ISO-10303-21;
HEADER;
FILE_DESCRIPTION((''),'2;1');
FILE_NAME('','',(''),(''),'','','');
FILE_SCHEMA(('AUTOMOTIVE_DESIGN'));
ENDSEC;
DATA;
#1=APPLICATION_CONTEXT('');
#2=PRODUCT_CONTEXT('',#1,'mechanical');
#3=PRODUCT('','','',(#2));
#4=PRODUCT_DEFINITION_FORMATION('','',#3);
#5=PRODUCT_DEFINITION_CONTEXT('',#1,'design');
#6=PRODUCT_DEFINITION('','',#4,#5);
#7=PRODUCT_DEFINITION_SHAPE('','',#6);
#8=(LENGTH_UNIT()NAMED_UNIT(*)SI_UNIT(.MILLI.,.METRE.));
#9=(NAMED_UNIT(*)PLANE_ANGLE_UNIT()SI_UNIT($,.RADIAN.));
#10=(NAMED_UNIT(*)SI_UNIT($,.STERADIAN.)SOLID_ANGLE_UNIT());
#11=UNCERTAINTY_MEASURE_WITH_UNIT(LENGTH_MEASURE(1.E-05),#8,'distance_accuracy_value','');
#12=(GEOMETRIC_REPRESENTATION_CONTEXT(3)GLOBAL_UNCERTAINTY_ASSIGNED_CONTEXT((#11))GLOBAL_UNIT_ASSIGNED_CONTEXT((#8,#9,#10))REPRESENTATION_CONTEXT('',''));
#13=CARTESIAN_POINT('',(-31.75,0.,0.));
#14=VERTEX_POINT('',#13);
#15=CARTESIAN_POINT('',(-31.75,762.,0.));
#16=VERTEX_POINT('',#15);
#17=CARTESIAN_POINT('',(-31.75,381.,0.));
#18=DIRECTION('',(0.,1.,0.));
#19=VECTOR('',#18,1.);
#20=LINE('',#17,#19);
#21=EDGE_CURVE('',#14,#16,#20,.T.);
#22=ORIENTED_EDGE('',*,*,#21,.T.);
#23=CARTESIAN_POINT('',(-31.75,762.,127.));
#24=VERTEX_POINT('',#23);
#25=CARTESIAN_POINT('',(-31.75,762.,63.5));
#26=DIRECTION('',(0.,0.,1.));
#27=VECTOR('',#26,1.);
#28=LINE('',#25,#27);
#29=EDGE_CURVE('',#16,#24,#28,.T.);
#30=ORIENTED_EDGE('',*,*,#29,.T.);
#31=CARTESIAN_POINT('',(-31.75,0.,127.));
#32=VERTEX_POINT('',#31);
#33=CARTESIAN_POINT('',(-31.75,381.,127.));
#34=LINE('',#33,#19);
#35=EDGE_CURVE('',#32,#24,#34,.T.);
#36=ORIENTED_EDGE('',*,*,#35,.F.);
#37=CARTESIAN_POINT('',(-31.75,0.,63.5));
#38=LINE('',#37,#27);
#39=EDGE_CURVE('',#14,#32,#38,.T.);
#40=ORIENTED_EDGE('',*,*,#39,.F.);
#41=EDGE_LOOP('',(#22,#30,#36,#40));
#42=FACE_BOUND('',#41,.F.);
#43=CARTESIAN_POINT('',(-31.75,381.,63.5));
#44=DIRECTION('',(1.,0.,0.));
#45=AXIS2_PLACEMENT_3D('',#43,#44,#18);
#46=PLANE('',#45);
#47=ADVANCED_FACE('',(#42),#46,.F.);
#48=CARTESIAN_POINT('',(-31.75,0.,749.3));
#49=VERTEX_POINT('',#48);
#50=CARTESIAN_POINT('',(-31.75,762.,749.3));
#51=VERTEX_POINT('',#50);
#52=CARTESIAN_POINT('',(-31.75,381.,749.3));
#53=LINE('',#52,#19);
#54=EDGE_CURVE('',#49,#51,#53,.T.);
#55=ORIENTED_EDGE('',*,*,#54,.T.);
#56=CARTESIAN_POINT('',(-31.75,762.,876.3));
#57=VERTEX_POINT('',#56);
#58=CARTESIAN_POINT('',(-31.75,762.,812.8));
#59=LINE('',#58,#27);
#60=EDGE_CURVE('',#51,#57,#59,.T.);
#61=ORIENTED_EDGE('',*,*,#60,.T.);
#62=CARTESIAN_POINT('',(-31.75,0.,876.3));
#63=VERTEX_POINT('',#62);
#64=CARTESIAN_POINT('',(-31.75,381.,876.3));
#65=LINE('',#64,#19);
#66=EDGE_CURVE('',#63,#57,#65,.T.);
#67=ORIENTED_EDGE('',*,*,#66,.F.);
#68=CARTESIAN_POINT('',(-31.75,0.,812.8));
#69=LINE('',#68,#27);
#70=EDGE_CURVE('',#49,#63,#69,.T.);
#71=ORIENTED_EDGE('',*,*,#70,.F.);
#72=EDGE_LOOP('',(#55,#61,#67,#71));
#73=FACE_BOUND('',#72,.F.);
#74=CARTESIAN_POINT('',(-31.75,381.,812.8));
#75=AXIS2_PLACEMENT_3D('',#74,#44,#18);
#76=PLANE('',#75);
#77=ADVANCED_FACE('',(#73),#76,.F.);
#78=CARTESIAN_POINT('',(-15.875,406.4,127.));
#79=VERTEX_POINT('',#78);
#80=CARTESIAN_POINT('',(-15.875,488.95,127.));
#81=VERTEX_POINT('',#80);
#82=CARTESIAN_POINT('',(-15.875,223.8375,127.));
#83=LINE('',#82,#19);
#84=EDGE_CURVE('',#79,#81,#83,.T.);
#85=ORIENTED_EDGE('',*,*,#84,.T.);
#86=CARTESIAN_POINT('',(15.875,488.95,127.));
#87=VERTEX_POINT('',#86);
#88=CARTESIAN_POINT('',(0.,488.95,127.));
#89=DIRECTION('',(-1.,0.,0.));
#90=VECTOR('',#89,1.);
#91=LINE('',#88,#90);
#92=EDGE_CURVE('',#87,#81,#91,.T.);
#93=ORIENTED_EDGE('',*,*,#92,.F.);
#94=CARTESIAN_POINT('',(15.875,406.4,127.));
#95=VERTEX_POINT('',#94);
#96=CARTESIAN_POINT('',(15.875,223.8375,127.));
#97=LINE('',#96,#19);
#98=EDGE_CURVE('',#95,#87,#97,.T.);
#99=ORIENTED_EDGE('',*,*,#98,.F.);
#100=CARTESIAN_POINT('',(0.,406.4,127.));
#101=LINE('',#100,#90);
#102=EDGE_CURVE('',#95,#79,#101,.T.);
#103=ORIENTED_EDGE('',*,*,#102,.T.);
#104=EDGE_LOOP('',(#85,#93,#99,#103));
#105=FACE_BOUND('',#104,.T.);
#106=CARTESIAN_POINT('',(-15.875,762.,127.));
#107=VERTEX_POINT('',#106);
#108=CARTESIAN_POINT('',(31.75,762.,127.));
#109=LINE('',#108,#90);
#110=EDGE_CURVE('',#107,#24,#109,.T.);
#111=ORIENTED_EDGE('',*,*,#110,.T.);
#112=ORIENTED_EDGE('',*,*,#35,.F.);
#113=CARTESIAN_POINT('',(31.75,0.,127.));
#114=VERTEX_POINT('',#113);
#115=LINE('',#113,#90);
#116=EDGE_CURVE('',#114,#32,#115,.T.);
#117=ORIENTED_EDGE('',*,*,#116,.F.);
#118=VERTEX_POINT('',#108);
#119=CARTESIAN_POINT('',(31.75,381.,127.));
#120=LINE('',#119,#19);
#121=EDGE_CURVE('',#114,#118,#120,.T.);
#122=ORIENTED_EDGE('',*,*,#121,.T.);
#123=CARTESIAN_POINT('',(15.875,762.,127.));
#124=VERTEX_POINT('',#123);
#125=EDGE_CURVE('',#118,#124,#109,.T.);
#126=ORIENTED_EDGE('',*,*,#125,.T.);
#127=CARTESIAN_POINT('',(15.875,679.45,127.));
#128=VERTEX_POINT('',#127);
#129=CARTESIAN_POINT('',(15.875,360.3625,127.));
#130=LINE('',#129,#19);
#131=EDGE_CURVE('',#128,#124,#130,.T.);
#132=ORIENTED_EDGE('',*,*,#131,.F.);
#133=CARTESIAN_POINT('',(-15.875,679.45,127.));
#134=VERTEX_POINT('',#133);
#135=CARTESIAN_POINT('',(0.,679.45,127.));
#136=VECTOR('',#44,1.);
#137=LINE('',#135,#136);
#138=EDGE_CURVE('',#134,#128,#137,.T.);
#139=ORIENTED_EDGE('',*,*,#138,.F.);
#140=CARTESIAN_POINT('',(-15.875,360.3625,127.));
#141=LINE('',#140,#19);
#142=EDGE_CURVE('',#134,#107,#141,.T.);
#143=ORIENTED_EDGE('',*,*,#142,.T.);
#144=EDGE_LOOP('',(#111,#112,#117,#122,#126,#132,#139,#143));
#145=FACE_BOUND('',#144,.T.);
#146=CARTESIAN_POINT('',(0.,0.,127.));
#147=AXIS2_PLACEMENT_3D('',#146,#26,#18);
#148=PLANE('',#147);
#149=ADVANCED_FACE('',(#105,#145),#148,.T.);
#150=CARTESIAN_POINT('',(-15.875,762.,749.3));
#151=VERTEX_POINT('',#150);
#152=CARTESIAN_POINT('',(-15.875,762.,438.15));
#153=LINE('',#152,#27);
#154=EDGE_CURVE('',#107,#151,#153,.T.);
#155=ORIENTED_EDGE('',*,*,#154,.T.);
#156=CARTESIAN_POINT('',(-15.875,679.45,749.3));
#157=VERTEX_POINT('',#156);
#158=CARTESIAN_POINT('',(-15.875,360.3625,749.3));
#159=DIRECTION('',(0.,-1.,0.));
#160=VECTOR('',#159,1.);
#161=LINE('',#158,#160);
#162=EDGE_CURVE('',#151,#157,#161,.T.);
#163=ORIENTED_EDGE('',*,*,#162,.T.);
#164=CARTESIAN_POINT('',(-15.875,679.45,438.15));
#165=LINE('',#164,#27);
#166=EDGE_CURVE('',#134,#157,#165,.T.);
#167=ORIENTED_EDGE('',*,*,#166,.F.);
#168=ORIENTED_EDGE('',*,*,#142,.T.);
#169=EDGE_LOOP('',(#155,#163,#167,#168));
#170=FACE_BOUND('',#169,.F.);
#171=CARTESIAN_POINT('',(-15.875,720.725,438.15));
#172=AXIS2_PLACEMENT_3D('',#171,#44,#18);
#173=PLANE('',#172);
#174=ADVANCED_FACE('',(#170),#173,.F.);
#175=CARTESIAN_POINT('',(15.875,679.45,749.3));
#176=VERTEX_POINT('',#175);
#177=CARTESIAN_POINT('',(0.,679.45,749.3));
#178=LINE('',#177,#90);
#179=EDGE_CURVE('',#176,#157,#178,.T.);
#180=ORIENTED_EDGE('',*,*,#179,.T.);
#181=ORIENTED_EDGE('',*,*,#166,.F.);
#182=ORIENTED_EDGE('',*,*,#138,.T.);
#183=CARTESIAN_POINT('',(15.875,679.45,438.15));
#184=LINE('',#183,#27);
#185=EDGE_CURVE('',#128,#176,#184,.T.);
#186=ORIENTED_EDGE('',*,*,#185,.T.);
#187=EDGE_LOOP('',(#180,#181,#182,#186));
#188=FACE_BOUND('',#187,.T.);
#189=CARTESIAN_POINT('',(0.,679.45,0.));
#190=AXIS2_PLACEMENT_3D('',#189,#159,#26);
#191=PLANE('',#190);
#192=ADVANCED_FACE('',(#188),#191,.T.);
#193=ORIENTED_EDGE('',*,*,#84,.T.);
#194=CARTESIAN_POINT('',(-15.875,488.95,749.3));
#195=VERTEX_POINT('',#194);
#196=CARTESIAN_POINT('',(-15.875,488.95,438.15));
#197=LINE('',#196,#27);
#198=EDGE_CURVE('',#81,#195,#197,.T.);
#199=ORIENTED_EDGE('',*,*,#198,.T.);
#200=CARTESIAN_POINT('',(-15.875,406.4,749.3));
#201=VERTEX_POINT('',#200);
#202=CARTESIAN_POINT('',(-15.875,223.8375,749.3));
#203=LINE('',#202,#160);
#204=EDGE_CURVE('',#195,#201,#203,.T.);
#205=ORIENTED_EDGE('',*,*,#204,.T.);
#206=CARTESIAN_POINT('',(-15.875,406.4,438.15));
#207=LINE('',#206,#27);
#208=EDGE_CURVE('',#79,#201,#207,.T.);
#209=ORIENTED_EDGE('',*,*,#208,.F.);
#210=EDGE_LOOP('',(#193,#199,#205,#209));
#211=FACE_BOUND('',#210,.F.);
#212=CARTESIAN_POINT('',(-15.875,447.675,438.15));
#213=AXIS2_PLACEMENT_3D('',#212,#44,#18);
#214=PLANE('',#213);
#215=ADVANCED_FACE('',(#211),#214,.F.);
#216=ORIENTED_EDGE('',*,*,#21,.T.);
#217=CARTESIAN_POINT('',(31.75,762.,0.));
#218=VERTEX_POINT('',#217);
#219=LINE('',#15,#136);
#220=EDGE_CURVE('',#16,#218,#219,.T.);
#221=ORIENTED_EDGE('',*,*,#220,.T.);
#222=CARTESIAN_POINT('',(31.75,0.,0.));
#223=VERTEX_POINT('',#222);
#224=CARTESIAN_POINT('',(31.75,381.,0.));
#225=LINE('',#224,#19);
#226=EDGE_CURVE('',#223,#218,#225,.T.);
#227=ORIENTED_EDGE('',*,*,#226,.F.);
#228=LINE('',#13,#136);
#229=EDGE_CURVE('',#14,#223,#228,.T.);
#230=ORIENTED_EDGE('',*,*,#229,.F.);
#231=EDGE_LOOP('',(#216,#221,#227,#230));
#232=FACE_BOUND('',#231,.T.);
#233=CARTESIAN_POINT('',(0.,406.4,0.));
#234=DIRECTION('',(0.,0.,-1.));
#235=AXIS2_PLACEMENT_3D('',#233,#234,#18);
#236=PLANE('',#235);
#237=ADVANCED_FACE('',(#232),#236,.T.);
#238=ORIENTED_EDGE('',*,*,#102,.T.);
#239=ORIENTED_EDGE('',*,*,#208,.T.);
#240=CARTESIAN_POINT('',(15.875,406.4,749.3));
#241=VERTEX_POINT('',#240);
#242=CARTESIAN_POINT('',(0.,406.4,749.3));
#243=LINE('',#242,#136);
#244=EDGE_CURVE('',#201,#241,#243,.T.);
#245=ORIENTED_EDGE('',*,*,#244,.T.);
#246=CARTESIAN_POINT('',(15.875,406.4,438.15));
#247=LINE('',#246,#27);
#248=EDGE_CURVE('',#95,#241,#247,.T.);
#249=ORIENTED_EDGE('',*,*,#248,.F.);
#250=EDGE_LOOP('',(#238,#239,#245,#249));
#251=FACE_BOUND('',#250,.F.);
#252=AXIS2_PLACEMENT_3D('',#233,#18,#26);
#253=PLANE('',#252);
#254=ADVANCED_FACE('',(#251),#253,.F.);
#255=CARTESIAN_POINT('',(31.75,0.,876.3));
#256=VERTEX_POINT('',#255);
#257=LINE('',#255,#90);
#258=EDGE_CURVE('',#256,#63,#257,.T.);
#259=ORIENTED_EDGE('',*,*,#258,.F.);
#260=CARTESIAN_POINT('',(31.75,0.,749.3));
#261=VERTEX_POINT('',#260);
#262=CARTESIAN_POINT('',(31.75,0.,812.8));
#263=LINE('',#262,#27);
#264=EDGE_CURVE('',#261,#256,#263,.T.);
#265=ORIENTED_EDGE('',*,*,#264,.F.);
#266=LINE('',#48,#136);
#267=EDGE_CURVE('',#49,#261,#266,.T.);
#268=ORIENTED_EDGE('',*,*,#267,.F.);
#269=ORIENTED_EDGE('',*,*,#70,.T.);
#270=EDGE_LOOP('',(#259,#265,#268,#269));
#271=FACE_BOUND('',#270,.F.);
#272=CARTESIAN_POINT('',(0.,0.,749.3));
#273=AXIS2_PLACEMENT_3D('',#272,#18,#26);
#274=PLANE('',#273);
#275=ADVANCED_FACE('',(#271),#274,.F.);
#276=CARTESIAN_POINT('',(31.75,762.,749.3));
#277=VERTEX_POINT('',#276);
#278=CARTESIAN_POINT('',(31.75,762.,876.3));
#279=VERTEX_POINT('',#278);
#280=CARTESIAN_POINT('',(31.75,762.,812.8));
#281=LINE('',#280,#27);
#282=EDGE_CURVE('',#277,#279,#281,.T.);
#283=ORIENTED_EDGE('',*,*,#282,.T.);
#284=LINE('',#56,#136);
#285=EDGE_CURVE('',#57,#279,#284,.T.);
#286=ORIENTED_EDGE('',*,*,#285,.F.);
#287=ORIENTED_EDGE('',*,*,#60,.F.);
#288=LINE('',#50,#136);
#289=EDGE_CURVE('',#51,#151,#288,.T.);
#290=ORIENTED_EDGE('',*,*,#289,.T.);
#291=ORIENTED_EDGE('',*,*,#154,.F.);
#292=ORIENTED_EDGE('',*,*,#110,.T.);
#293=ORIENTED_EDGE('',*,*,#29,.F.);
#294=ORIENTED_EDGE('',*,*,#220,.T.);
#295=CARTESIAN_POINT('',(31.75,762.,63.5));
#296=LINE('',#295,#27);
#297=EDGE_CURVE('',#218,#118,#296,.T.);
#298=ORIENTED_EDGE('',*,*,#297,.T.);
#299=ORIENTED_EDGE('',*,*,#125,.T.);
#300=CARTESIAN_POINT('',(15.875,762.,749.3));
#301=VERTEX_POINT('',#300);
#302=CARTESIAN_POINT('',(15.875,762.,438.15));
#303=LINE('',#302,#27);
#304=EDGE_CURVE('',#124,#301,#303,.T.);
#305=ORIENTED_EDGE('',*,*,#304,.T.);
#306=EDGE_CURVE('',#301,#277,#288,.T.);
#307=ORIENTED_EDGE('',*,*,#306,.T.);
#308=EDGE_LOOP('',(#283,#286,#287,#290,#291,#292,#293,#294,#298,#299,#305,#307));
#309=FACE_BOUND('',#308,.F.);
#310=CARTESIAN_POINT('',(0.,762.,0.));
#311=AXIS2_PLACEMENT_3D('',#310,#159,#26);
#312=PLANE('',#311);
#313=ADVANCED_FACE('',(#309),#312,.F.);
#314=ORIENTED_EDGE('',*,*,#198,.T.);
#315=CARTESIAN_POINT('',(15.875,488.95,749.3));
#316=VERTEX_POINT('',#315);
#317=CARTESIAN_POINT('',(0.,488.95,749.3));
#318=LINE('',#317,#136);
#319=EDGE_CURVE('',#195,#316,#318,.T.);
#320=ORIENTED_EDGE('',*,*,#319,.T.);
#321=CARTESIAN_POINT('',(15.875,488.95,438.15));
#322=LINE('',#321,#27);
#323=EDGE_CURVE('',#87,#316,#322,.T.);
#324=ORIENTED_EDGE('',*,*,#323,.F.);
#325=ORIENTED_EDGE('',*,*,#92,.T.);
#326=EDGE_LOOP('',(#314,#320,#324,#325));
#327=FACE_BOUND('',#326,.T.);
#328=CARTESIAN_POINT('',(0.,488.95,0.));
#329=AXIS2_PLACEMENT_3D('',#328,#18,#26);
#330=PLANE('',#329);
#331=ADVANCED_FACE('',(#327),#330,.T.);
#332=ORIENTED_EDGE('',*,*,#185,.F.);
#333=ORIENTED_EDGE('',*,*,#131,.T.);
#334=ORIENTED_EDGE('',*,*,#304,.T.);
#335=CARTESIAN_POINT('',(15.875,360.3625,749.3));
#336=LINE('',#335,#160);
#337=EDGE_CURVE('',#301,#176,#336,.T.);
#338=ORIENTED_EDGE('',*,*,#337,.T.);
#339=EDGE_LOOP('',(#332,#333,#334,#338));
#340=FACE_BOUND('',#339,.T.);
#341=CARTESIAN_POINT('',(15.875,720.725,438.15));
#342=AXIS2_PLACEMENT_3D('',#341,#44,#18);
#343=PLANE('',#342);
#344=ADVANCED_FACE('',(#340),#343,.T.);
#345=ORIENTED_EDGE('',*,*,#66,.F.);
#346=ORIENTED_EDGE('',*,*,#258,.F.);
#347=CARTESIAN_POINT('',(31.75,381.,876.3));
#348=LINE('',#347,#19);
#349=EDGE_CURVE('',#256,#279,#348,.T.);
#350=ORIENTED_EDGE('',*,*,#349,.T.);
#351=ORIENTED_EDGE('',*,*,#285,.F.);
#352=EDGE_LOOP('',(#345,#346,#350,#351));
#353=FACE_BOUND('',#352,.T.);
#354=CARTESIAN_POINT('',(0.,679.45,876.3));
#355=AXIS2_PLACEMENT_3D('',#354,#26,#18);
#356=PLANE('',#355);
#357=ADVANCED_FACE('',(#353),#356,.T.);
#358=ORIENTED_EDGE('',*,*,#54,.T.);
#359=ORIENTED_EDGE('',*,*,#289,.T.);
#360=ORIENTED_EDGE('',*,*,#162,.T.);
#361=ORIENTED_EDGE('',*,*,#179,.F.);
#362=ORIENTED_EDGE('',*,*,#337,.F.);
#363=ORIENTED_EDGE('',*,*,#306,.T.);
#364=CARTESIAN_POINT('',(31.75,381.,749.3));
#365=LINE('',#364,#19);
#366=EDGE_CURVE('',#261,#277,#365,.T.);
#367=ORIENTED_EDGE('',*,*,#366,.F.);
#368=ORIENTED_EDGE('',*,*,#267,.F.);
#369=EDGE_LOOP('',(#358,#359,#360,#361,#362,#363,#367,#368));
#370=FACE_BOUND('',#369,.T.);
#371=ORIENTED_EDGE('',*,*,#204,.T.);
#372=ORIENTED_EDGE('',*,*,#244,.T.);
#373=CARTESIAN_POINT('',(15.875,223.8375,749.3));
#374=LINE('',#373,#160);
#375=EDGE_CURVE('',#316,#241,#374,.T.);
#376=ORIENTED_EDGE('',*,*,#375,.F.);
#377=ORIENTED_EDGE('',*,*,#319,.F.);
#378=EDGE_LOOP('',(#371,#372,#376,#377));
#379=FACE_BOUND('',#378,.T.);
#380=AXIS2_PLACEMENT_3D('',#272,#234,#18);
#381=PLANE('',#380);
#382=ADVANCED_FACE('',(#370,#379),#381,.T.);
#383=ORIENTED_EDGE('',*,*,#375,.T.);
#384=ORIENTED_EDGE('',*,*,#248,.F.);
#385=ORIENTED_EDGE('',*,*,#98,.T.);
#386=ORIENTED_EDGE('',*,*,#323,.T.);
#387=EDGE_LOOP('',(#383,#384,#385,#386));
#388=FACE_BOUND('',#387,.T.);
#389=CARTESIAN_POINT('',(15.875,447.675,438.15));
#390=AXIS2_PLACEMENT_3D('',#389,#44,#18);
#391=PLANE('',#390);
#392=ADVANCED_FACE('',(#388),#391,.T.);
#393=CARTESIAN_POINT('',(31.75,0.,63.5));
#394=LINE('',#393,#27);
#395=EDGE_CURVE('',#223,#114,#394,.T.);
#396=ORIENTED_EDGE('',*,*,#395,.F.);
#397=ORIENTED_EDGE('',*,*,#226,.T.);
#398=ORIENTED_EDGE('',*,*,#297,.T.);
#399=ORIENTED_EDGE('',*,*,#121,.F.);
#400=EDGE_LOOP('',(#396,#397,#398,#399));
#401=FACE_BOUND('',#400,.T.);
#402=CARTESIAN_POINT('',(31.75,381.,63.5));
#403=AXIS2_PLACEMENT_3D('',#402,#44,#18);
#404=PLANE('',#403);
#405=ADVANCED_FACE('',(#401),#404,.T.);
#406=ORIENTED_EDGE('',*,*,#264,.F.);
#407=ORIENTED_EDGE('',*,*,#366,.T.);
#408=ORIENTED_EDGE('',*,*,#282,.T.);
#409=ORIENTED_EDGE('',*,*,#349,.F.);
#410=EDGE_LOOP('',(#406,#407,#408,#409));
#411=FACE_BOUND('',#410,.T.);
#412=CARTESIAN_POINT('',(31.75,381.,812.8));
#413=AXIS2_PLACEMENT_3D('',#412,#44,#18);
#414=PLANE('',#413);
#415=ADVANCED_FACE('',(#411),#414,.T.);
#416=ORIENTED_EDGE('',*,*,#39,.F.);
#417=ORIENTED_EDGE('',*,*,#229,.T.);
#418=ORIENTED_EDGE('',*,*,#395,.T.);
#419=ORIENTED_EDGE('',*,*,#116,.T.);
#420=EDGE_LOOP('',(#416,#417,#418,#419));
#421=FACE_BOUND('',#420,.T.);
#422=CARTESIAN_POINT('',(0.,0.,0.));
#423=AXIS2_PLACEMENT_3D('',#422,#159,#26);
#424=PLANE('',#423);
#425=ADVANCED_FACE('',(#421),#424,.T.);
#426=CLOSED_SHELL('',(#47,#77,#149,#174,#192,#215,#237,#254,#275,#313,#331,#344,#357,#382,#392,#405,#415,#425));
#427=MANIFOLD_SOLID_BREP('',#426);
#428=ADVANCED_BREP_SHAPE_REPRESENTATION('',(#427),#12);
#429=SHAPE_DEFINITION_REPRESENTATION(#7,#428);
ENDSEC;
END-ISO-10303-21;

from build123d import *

# Parameters (mm, degrees)
F0_W     = 762
F0_H     = 127
F1_DEPTH = 31.75
F2_W     = 82.55
F2_H     = 876.3
F3_DEPTH = 15.875


with BuildPart() as f1:
    # F0 (on Right) → F1 (new body, symmetric)
    with BuildSketch(Plane.YZ):
        with Locations((381, 63.5)):
            Rectangle(F0_W, F0_H)
        with Locations((381, 812.8)):
            Rectangle(F0_W, F0_H)
    extrude(amount=F1_DEPTH, both=True)

    # F2 (on Right) → F3 (join, symmetric)
    with BuildSketch(Plane.YZ):
        with Locations((720.725, 438.15)):
            Rectangle(F2_W, F2_H)
        with Locations((447.675, 438.15)):
            Rectangle(F2_W, F2_H)
    extrude(amount=F3_DEPTH, both=True)


solid = f1.part
